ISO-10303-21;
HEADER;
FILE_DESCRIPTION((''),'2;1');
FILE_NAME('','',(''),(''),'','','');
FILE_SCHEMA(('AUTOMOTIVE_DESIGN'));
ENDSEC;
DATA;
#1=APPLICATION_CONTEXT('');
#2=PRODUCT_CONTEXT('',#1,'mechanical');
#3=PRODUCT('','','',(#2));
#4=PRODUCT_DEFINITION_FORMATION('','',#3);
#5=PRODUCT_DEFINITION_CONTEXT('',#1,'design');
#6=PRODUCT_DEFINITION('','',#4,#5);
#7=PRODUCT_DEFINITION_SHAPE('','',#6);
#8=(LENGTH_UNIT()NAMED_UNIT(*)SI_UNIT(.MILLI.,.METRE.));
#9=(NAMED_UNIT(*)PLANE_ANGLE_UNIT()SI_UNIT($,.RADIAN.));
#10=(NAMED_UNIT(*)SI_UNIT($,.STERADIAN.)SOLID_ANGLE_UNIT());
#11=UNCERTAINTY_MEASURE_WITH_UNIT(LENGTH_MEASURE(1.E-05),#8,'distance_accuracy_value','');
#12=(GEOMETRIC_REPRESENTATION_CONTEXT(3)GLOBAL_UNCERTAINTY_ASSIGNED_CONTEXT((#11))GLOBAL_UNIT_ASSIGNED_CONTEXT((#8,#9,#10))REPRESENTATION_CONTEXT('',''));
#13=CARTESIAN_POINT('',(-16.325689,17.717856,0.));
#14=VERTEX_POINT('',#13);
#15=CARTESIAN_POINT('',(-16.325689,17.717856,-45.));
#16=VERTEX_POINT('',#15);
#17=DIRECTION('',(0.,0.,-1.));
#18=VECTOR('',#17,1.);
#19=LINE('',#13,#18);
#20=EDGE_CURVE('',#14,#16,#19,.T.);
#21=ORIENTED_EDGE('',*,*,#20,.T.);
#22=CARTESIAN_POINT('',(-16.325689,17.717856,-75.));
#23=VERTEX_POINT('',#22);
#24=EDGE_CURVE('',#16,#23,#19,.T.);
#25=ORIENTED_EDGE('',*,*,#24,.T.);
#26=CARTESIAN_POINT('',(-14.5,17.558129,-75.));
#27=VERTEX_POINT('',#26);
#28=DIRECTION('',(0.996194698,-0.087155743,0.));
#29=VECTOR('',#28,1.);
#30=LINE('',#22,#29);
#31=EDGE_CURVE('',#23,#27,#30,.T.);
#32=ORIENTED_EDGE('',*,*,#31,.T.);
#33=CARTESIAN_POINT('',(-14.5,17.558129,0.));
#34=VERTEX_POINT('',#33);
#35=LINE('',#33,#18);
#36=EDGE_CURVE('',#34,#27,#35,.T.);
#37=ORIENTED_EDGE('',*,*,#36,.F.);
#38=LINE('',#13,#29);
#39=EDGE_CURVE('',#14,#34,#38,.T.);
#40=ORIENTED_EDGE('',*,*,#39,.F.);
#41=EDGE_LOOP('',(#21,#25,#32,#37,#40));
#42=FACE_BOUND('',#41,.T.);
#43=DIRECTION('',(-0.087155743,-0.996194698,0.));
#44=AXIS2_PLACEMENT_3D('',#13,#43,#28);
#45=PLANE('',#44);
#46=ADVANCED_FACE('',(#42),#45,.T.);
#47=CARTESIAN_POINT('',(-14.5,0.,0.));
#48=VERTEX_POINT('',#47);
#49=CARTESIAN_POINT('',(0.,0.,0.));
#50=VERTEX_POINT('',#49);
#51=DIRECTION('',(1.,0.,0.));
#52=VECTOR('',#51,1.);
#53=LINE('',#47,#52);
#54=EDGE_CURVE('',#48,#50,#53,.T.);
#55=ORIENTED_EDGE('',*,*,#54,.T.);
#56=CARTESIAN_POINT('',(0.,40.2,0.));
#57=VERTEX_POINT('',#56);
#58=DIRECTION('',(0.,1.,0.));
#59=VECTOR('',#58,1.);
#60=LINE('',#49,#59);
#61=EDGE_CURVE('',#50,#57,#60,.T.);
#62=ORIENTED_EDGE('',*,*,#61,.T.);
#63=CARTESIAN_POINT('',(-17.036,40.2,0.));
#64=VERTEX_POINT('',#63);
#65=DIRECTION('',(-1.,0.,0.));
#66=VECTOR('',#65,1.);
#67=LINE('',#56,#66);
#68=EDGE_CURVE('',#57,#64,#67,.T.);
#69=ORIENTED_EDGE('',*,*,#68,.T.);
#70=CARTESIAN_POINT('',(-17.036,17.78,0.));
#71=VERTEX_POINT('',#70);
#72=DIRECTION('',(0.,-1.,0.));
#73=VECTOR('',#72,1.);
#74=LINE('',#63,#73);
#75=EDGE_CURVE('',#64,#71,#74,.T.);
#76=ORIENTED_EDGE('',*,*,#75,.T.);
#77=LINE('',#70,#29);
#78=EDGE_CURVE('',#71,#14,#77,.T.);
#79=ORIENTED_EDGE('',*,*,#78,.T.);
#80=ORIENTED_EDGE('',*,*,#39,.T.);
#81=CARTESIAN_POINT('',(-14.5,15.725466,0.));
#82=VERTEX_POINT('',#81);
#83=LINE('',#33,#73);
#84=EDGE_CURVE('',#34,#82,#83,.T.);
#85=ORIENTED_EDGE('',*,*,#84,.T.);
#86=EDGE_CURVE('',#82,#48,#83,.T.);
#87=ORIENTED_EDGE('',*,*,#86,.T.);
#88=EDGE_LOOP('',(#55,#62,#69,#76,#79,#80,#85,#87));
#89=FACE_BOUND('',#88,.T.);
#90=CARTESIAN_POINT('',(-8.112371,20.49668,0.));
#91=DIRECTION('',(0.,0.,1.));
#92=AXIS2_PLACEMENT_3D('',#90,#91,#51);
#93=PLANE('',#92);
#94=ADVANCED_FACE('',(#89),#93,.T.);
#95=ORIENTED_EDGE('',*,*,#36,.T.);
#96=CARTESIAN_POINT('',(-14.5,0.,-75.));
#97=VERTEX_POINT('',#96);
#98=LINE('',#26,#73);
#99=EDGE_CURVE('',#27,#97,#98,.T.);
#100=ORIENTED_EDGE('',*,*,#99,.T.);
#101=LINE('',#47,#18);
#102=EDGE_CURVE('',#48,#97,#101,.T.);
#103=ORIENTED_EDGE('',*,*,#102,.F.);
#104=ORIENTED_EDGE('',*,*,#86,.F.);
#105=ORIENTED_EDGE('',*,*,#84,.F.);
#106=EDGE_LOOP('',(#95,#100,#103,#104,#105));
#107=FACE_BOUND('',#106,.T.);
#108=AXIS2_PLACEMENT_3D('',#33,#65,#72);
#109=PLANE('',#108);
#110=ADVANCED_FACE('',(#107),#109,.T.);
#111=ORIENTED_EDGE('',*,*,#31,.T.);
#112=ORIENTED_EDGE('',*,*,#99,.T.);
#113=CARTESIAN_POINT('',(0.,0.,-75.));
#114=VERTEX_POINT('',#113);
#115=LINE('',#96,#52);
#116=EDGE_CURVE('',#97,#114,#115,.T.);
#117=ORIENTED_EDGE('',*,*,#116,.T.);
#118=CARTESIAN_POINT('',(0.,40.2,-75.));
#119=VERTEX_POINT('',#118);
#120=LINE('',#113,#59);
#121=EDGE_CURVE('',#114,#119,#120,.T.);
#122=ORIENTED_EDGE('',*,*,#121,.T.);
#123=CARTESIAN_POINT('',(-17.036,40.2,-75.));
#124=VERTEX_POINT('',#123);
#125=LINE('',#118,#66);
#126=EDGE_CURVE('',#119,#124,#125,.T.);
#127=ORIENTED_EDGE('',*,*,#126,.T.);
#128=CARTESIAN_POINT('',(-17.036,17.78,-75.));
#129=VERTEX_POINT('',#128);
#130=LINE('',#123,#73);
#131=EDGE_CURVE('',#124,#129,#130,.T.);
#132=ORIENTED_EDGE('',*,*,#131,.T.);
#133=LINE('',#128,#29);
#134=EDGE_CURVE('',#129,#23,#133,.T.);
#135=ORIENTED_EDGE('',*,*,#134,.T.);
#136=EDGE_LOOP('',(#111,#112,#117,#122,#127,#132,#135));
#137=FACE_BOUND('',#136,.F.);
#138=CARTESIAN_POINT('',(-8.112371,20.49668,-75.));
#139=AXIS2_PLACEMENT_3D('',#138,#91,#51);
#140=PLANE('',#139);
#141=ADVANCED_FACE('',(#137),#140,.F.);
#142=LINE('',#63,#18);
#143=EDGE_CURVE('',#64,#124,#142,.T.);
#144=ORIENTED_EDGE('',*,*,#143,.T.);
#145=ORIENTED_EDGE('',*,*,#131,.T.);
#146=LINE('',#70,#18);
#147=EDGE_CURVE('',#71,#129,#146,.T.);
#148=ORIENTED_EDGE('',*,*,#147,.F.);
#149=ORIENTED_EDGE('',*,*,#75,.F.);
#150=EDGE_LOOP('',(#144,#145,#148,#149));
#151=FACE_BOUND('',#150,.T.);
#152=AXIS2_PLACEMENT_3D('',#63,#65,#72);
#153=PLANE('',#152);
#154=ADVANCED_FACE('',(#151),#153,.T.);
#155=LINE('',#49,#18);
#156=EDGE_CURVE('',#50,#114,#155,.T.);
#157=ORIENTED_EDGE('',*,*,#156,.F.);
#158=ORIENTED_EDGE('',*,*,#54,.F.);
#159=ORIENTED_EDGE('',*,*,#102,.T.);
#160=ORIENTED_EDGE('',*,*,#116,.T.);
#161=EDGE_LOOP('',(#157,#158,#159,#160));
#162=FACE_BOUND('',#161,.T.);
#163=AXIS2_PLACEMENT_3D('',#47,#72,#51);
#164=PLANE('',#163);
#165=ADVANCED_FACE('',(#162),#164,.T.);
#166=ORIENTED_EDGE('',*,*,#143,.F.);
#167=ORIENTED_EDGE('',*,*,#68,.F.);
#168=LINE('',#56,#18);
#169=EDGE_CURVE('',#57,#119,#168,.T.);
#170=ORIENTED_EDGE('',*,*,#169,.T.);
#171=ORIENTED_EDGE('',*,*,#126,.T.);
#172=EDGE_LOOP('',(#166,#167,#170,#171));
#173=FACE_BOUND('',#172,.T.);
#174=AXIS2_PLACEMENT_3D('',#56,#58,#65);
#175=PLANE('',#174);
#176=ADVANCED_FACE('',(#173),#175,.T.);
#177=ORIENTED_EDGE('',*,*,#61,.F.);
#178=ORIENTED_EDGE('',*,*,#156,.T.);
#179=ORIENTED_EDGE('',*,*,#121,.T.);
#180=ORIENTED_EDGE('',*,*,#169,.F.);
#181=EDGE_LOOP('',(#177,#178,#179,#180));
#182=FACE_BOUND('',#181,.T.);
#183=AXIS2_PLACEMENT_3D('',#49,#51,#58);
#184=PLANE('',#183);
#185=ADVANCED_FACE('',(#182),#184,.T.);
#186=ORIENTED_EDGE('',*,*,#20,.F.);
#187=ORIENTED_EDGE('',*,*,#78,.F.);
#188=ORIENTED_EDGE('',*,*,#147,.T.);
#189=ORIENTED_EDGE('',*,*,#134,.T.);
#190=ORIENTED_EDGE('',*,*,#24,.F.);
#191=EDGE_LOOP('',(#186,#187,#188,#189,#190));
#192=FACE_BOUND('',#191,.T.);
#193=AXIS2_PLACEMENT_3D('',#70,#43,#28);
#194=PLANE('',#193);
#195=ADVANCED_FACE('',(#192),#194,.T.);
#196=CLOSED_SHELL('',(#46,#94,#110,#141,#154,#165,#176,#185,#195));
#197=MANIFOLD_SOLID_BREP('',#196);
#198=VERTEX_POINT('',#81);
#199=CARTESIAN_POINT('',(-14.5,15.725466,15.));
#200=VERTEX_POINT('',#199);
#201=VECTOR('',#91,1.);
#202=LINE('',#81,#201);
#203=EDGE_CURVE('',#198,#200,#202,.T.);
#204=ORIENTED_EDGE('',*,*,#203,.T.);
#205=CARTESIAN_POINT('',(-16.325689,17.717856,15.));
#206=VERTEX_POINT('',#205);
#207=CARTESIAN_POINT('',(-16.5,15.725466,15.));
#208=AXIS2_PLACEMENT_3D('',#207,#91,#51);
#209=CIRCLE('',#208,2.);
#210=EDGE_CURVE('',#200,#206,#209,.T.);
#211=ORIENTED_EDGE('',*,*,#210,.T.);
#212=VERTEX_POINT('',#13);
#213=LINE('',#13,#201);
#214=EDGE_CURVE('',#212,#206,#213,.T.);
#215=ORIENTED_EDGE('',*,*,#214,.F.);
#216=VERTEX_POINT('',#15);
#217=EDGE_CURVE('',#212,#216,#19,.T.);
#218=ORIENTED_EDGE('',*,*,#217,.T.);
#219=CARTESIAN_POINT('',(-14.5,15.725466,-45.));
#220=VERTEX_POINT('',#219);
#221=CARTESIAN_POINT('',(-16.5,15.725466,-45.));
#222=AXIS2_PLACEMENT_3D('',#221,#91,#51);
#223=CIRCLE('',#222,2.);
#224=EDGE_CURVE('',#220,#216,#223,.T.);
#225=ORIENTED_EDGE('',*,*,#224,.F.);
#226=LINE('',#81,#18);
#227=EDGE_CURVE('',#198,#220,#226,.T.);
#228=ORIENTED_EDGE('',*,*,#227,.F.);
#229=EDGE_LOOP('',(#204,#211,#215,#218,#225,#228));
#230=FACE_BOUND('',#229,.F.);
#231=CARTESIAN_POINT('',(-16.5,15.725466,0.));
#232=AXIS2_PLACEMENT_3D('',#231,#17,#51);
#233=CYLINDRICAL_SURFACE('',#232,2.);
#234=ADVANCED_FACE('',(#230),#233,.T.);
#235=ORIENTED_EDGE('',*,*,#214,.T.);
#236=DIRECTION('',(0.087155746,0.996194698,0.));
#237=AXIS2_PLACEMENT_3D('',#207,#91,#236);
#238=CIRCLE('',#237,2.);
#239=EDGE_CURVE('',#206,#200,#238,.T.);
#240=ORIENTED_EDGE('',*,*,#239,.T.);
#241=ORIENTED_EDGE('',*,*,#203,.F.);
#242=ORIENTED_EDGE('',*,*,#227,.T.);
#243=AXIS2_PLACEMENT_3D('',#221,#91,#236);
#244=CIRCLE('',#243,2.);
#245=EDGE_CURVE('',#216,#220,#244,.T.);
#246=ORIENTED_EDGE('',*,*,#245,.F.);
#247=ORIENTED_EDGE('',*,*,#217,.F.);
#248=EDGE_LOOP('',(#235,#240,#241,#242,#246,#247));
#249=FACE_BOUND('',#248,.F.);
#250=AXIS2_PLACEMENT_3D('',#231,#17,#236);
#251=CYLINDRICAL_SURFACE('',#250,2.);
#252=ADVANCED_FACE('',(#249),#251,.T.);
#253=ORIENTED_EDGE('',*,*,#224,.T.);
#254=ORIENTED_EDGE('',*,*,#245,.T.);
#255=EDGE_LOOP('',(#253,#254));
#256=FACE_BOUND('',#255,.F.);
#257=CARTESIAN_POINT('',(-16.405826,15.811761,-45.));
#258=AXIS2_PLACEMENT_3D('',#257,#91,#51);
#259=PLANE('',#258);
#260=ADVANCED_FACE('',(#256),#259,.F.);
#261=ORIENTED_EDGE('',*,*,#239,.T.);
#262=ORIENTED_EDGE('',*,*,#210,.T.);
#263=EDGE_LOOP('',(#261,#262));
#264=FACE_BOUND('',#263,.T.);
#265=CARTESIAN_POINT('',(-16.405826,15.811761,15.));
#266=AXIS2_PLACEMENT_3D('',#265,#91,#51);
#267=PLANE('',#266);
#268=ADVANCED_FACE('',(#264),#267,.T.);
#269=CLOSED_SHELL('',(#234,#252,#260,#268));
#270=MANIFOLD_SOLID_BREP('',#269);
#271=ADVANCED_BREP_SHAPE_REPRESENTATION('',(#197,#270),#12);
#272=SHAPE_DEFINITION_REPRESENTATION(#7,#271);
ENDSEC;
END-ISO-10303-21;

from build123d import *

# Parameters (mm, degrees)
F1_DEPTH      = 75
F2_DEPTH      = 45
F2_DEPTH_BACK = 15


with BuildPart() as f1:
    # F0 (on Top) → F1 (new body)
    with BuildSketch(Plane.XY):
        Polygon((-14.5, 0), (0, 0), (0, 40.2), (-17.036, 40.2), (-17.036, 17.78), (-16.3256885076, 17.7178557968), (-14.5, 17.5581287493), (-14.5, 15.7254664013), align=None)
    extrude(amount=-F1_DEPTH)

    # F0 (on Top) → F2 (join, two sides)
    with BuildSketch(Plane.XY) as f2_sk:
        with BuildLine():
            ThreePointArc((-16.3256885076, 17.7178557968), (-17.974554676, 14.3742859886), (-14.5, 15.7254664013))
            ThreePointArc((-14.5, 15.7254664013), (-15.025445324, 17.0766468139), (-16.3256885076, 17.7178557968))
        make_face()
    extrude(amount=-F2_DEPTH)
    extrude(f2_sk.sketch, amount=F2_DEPTH_BACK)


solid = f1.part
